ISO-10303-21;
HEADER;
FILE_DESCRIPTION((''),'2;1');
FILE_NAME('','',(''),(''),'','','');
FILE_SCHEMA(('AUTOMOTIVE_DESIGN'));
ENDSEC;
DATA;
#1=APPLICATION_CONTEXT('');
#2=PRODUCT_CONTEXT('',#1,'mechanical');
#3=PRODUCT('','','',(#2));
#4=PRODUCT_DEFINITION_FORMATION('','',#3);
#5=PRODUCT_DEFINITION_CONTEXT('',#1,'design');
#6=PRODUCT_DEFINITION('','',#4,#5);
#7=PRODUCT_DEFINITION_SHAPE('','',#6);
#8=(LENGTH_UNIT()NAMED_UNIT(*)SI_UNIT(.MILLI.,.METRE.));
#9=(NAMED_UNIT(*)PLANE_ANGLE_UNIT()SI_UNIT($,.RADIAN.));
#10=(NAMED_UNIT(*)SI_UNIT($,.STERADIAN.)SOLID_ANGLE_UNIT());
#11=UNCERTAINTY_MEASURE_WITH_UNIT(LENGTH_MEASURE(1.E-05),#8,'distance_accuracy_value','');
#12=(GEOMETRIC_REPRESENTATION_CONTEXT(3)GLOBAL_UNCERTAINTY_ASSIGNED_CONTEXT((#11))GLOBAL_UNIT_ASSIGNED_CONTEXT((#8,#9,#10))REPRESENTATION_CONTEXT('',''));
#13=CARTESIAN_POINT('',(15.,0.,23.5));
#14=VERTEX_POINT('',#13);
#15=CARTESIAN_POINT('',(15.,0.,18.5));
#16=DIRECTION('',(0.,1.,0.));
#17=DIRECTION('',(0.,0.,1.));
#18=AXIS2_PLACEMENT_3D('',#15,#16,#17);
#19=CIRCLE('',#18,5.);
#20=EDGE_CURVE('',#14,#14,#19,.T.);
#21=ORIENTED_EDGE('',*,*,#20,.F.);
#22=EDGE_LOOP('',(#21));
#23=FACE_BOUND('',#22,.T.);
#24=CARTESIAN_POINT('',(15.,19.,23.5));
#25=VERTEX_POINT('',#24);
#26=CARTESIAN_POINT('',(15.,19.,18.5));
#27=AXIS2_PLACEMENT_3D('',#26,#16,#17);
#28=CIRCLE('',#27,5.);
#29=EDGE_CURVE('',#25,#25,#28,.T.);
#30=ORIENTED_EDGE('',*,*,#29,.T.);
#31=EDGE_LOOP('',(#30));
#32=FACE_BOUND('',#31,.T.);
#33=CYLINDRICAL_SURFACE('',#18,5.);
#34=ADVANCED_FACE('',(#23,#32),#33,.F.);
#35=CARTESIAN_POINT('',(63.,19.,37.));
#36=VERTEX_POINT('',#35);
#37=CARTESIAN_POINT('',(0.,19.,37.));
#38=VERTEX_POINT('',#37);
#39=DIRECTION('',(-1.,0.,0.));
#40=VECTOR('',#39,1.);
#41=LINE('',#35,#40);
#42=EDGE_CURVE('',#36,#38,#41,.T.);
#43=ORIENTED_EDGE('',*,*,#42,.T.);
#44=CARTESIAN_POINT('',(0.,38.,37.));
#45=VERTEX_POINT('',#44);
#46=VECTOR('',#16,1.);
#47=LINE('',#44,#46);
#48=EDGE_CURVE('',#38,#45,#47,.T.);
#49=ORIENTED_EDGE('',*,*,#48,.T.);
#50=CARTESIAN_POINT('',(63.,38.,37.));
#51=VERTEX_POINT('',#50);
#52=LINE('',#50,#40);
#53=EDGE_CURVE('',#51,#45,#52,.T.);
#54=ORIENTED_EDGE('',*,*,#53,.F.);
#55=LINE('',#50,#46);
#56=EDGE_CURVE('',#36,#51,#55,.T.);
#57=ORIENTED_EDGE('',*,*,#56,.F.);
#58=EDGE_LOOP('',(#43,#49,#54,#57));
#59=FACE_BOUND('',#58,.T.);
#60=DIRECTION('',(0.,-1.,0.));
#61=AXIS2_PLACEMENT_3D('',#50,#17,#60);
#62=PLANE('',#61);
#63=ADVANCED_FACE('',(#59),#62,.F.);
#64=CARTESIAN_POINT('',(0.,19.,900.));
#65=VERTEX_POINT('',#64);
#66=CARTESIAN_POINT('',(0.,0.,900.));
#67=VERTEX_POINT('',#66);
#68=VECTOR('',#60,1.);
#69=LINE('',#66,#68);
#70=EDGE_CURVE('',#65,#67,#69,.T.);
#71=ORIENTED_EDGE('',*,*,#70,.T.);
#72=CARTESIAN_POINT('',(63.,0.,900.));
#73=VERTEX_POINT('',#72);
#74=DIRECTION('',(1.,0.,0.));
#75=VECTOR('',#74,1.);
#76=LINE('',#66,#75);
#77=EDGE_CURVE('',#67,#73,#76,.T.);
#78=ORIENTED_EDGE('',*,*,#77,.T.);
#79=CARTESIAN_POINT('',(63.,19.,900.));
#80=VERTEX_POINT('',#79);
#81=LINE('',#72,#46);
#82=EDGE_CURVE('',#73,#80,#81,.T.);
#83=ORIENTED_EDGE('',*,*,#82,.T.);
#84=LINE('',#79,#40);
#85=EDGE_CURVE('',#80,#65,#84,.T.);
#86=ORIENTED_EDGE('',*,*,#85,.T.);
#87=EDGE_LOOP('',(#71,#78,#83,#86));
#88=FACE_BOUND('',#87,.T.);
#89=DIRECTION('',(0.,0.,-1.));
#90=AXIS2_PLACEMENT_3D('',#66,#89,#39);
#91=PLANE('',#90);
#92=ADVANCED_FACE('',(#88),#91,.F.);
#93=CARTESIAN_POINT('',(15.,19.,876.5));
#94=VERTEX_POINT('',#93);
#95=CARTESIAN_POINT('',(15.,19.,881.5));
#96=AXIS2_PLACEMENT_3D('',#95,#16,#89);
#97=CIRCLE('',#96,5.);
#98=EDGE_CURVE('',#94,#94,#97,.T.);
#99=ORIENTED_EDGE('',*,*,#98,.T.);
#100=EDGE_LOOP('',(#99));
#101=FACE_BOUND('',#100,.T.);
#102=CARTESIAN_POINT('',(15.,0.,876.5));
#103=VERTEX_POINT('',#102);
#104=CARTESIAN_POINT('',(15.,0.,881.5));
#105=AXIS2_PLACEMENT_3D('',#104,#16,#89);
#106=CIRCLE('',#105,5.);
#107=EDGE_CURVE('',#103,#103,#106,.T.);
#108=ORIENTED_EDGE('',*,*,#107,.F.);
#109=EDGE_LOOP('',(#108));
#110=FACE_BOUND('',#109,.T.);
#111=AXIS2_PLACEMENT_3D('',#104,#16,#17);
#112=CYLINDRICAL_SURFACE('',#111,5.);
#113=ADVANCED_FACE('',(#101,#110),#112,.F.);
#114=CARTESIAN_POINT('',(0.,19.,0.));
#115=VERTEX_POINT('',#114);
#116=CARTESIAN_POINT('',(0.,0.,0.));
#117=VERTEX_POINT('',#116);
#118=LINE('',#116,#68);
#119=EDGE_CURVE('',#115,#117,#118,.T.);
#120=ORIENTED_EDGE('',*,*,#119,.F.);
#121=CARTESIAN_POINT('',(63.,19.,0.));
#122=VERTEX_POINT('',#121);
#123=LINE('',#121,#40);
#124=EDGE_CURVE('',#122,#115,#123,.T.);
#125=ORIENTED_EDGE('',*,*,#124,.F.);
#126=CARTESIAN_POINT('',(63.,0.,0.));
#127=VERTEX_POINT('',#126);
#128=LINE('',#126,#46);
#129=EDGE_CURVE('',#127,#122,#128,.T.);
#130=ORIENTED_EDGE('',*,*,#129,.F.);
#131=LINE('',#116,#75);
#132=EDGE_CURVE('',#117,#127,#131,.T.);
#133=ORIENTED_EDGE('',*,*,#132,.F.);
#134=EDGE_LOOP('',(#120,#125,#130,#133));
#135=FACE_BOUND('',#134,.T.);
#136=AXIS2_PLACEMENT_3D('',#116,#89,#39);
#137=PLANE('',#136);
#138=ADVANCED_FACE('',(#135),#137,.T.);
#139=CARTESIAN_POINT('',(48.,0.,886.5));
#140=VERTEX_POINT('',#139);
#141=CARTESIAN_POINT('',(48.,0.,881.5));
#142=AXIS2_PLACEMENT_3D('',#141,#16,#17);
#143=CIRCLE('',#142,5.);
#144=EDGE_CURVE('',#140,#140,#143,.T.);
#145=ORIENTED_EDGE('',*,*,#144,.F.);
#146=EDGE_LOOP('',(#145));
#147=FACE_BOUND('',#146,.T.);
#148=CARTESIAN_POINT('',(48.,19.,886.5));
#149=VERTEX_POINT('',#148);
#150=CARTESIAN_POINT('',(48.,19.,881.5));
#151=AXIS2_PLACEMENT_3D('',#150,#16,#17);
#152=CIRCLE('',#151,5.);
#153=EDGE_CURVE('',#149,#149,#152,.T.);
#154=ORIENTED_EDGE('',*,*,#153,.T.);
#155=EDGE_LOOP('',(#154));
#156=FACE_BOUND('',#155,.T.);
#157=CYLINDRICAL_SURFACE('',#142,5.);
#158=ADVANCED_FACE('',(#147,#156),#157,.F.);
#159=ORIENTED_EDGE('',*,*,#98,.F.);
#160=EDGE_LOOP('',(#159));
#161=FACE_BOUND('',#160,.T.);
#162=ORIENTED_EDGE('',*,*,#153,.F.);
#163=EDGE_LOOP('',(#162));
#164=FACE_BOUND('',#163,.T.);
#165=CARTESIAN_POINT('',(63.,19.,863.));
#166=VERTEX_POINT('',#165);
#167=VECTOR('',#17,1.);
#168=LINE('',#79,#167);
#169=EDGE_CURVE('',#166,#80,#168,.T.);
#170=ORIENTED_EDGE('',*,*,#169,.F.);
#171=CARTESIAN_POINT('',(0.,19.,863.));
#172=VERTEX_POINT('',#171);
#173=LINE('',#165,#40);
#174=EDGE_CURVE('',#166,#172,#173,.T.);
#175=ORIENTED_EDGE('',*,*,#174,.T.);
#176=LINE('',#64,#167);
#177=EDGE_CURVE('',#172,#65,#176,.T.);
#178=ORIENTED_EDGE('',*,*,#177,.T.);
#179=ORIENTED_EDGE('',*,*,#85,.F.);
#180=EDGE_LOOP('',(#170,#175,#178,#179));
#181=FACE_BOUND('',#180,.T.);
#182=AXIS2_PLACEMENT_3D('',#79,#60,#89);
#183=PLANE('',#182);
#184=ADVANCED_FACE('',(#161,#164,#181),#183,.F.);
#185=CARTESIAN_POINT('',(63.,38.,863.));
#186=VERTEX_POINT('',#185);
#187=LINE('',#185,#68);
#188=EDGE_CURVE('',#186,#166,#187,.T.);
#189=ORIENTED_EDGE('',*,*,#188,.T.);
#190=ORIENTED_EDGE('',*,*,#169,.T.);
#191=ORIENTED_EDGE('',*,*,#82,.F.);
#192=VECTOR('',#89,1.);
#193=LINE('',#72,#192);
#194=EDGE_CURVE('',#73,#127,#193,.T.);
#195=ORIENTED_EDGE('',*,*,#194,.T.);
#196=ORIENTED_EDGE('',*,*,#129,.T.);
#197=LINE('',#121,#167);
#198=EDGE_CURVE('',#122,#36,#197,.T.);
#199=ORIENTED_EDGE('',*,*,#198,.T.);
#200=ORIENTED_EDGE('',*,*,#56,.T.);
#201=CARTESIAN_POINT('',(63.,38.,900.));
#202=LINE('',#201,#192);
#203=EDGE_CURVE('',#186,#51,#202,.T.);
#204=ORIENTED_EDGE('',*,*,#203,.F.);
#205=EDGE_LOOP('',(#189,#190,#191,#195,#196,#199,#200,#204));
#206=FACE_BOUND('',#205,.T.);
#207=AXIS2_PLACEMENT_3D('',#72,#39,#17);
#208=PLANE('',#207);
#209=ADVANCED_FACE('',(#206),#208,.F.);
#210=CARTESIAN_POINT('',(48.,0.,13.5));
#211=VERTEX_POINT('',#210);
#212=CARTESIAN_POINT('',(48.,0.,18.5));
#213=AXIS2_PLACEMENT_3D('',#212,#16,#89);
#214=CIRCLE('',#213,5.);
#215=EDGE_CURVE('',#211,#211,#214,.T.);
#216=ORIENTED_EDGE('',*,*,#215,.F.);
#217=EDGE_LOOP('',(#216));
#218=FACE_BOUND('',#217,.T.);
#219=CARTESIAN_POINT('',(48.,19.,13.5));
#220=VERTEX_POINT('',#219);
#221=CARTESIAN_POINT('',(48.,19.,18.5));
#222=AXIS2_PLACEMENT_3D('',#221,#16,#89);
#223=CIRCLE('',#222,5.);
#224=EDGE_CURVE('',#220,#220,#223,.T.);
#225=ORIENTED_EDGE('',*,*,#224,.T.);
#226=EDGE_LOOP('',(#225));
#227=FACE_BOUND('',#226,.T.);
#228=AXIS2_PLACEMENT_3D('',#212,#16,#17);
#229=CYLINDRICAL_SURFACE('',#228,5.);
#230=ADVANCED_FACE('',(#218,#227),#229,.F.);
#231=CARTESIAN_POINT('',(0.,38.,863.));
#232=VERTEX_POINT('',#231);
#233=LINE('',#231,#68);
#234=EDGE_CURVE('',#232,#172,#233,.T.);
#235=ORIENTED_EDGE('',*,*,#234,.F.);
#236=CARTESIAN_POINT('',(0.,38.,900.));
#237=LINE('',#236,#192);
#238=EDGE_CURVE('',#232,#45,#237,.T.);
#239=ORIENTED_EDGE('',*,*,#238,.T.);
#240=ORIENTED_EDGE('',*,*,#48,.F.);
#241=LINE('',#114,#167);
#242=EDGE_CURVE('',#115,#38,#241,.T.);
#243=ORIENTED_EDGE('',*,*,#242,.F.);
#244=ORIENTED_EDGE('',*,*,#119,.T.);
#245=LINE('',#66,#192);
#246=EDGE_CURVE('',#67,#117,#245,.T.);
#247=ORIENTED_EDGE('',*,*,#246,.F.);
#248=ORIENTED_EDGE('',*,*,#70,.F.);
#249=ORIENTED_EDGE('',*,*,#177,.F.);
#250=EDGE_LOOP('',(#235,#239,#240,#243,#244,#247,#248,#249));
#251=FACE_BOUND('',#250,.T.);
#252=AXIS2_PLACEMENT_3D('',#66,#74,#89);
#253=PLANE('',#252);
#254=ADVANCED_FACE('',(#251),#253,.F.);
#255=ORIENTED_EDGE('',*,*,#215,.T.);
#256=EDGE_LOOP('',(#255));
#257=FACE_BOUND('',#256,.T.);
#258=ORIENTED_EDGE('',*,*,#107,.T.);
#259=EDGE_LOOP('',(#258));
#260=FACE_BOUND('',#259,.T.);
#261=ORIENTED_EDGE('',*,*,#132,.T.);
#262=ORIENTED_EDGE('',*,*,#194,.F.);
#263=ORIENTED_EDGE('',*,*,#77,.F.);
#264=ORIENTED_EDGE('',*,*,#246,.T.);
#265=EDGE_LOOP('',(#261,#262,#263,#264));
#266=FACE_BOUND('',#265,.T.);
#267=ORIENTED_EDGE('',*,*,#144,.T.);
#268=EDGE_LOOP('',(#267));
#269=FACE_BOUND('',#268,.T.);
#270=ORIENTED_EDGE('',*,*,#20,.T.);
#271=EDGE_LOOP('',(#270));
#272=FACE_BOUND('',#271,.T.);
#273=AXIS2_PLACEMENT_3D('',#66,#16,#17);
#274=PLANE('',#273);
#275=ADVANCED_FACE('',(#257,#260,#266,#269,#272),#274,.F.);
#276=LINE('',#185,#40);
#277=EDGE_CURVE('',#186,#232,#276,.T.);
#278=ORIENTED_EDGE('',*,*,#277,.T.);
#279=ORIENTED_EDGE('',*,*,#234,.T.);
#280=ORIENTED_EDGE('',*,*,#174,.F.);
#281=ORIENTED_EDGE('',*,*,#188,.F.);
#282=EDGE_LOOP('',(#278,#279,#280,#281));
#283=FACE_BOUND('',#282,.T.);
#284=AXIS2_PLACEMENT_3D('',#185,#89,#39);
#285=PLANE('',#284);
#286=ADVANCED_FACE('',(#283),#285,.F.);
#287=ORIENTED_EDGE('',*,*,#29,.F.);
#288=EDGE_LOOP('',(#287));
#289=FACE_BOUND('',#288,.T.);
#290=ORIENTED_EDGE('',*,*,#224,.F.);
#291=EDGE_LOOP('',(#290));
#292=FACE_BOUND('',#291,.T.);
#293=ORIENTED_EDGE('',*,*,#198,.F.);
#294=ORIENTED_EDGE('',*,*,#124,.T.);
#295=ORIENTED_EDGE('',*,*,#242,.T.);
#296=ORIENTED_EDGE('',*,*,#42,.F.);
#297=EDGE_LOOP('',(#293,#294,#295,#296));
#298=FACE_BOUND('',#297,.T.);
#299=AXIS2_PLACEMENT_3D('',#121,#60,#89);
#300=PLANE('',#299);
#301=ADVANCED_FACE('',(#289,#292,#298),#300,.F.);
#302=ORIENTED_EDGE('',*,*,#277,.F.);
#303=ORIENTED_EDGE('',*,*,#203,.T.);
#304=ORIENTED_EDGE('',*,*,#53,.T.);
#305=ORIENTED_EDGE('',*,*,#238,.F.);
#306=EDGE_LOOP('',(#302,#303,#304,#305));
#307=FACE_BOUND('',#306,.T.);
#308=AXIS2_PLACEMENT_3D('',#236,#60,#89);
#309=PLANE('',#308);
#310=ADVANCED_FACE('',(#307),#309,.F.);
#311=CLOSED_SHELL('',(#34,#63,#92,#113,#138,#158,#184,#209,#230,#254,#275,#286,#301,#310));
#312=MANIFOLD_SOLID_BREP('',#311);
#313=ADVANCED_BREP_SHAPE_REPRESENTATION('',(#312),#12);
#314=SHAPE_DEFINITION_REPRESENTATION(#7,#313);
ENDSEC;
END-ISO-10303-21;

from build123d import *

# Parameters (mm, degrees)
ESQUISSE1_W             = 63
ESQUISSE1_H             = 38
BOSS_EXTRU_1_DEPTH      = 900
ESQUISSE2_W             = 37
ESQUISSE2_H             = 19
ENL_V_MAT_EXTRU_1_DEPTH = 904.002214837
ESQUISSE3_R             = 5
ENL_V_MAT_EXTRU_2_DEPTH = 903.402349288


with BuildPart() as part:
    # Esquisse1 → Boss.-Extru.1 (new body)
    with BuildSketch(Plane.XY):
        with Locations((31.5, 19)):
            Rectangle(ESQUISSE1_W, ESQUISSE1_H)
    extrude(amount=BOSS_EXTRU_1_DEPTH)

    # Esquisse2 → Enlèv. mat.-Extru.1 (cut, through all)
    with BuildSketch(Plane.ZY):
        with Locations((18.5, 28.5)):
            Rectangle(ESQUISSE2_W, ESQUISSE2_H)
        with Locations((881.5, 28.5)):
            Rectangle(ESQUISSE2_W, ESQUISSE2_H)
    extrude(amount=-ENL_V_MAT_EXTRU_1_DEPTH, mode=Mode.SUBTRACT)

    # Esquisse3 → Enlèv. mat.-Extru.2 (cut, through all)
    with BuildSketch(Plane(origin=(0, 19, 0), x_dir=(1, 0, 0), z_dir=(0, 1, 0))):
        with Locations(Location((15, -18.5, 0), (0, 0, 270))):
            Circle(ESQUISSE3_R)
        with Locations(Location((48, -18.5, 0), (0, 0, 90))):
            Circle(ESQUISSE3_R)
        with Locations(Location((48, -881.5, 0), (0, 0, 270))):
            Circle(ESQUISSE3_R)
        with Locations(Location((15, -881.5, 0), (0, 0, 90))):
            Circle(ESQUISSE3_R)
    extrude(amount=-ENL_V_MAT_EXTRU_2_DEPTH, mode=Mode.SUBTRACT)


solid = part.part
